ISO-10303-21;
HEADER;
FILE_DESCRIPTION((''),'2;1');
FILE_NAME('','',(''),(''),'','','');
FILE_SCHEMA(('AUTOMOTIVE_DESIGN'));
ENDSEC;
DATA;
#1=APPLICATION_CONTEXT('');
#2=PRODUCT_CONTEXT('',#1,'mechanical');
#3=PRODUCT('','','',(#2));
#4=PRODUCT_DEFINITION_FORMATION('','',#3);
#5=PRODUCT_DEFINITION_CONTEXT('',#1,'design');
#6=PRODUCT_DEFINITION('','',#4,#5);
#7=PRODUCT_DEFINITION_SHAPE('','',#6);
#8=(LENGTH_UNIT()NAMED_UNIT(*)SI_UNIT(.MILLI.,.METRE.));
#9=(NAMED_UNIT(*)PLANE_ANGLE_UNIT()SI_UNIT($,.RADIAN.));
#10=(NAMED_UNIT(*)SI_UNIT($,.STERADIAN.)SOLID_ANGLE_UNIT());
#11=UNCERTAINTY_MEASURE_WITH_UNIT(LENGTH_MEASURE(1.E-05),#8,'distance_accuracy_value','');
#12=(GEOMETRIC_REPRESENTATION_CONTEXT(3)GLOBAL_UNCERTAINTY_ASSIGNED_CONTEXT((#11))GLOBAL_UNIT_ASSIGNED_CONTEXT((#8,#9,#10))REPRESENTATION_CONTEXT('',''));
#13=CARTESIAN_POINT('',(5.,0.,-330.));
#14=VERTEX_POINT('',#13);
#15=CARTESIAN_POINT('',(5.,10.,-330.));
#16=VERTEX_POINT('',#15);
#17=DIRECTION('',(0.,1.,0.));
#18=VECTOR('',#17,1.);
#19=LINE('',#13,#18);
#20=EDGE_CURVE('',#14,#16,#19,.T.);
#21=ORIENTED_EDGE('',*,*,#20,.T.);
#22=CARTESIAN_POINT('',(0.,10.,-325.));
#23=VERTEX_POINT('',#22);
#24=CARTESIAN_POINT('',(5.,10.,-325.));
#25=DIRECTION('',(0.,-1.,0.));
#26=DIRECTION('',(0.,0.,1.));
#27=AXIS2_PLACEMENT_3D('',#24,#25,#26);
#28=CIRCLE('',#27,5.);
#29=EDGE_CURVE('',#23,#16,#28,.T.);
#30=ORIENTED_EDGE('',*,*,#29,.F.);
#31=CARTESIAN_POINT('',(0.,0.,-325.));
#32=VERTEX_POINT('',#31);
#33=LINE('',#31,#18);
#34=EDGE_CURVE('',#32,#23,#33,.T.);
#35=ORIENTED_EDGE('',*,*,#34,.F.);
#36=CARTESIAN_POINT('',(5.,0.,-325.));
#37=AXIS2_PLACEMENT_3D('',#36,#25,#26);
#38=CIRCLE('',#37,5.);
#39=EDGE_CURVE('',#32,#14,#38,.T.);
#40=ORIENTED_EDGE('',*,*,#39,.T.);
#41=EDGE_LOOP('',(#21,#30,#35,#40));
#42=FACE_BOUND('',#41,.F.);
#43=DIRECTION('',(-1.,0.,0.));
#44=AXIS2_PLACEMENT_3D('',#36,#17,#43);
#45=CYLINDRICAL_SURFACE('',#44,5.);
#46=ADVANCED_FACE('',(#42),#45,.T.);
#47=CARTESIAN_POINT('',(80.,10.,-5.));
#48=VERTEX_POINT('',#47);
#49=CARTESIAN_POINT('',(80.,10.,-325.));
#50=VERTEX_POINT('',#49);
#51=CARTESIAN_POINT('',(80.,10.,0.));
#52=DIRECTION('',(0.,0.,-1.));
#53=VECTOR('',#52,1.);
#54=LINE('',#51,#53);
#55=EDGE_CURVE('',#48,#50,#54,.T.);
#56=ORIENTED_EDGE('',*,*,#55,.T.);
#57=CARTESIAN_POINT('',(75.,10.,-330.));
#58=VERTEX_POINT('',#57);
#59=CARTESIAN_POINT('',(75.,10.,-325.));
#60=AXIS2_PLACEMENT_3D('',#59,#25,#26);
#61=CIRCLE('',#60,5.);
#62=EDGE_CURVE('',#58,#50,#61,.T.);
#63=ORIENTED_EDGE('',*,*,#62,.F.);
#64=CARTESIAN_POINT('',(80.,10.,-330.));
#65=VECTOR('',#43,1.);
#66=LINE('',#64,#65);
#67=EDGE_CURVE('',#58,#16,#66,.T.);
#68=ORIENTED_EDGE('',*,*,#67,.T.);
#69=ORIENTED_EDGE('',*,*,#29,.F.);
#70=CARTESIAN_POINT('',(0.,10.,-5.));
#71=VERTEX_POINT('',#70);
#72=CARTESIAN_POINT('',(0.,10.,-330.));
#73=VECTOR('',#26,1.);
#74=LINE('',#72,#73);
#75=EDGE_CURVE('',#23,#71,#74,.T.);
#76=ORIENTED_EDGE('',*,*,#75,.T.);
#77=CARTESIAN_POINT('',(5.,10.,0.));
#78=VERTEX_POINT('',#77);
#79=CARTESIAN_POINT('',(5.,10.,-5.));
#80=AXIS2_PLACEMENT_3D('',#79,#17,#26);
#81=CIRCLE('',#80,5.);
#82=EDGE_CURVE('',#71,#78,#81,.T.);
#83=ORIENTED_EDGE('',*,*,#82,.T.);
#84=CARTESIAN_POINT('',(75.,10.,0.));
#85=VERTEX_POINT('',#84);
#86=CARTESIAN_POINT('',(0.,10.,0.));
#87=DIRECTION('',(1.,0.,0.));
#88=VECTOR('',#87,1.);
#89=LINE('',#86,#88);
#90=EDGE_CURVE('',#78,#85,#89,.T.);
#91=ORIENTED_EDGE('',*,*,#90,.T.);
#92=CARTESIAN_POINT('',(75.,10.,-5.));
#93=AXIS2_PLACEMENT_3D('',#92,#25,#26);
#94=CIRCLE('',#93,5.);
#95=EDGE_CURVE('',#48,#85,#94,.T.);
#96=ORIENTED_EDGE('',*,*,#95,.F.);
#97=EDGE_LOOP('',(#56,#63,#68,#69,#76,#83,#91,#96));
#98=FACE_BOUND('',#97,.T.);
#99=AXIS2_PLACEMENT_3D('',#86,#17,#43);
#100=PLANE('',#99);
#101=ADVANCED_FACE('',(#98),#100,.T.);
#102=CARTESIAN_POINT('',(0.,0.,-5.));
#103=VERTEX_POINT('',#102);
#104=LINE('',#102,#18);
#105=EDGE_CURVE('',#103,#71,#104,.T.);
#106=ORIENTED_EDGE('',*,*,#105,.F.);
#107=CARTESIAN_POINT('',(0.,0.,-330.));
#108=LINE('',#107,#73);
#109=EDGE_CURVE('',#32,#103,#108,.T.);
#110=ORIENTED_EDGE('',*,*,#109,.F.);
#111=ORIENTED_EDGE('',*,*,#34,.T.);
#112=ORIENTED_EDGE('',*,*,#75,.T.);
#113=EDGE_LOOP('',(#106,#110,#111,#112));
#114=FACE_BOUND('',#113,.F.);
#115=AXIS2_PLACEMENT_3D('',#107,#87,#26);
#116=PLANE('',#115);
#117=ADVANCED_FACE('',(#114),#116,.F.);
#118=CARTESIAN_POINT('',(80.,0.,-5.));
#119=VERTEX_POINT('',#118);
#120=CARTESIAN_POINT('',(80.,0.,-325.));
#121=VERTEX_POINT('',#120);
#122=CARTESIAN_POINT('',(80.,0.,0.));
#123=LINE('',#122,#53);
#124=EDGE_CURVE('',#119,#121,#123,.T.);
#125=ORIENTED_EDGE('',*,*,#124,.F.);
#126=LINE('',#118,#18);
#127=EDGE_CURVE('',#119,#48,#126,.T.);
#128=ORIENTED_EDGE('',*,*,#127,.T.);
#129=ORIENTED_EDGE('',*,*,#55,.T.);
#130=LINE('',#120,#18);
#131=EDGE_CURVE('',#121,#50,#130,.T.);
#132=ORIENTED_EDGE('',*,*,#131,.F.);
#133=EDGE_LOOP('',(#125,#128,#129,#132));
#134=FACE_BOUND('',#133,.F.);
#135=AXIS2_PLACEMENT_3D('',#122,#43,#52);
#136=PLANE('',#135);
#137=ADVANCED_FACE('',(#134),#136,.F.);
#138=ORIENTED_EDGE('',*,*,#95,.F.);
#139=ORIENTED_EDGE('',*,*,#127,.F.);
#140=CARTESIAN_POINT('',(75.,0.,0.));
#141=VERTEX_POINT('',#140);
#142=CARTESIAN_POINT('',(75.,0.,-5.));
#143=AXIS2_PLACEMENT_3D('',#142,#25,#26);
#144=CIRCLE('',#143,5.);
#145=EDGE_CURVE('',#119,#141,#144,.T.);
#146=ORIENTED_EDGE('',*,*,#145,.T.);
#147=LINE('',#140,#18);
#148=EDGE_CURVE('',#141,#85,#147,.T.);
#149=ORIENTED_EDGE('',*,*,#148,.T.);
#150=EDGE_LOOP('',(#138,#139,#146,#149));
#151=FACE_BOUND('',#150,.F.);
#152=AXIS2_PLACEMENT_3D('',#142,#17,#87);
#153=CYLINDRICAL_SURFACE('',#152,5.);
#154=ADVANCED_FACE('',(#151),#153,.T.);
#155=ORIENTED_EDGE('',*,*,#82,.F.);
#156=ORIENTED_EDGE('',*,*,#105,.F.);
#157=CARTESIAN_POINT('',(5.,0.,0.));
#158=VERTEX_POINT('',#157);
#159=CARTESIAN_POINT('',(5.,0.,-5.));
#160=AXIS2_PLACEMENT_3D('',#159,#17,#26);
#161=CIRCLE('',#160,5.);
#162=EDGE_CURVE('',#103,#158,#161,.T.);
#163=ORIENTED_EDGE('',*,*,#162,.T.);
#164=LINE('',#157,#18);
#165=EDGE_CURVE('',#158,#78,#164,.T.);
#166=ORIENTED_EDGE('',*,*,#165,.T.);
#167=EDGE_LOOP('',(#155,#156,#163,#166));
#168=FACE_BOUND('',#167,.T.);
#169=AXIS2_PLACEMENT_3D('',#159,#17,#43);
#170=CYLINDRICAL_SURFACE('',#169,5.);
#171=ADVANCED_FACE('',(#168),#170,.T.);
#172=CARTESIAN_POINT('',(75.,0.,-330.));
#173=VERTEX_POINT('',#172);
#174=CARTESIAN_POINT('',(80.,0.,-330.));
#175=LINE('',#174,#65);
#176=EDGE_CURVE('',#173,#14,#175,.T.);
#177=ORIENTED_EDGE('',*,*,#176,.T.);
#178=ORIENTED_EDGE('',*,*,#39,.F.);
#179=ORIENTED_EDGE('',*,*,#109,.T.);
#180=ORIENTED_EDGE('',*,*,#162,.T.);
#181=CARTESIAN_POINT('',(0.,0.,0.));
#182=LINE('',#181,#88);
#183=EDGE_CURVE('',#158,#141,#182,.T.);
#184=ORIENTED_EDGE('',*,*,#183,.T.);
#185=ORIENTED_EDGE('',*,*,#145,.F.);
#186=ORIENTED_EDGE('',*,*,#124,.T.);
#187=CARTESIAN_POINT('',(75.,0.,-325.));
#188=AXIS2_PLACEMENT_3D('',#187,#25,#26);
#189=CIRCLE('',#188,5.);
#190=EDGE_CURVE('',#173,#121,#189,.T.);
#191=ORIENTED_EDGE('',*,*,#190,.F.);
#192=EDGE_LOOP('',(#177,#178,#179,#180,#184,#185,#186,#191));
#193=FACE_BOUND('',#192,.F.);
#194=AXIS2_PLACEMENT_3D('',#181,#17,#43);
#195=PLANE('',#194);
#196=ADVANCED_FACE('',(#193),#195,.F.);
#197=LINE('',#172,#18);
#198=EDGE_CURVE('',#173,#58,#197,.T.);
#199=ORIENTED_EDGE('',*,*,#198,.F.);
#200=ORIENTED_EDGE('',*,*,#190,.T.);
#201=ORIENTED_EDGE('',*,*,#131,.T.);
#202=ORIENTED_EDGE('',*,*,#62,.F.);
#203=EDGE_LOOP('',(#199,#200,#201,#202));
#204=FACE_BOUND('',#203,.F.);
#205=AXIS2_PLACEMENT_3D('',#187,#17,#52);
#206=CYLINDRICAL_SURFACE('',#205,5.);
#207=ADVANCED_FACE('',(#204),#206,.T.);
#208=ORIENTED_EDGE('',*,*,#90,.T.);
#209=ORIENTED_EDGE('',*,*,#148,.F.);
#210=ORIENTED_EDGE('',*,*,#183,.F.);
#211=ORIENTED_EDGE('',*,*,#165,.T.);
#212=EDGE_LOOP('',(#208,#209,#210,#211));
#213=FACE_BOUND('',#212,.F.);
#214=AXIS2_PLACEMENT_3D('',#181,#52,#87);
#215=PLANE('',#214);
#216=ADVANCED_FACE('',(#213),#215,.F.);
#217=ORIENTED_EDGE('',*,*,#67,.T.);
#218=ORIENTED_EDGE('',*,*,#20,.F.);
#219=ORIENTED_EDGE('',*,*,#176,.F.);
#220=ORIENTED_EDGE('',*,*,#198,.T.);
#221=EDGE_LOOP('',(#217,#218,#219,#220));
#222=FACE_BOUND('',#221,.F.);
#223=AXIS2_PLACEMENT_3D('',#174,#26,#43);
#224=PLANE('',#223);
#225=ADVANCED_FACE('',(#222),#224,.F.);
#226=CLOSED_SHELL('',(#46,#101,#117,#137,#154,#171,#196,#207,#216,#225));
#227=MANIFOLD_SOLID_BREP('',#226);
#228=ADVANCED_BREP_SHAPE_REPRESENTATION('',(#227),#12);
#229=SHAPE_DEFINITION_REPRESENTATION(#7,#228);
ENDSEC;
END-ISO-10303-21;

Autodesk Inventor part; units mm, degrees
ref_plane "YZ Plane" through (0, 0, 0) normal (1, 0, 0) x (0, 1, 0)
ref_plane "XZ Plane" through (0, 0, 0) normal (0, 1, 0) x (-1, 0, 0)
ref_plane "XY Plane" through (0, 0, 0) normal (0, 0, 1) x (1, 0, 0)
sketch "Sketch2" plane through (0, 0, 0) normal (0, 1, 0) x (-1, 0, 0)
  line L0 (0, 0) -> (-80, 0)
  line L1 (-80, 0) -> (-80, -330)
  line L2 (-80, -330) -> (0, -330)
  line L3 (0, -330) -> (0, 0)
  dimension "d5" = 80
  dimension "d6" = 330
extrude "Extrusion2" add sketch "Sketch2" along normal blind 10
fillet "Fillet2" radius 5 4 edges at (0, 5, 0) (80, 5, 0) (0, 5, -330) (80, 5, -330)
sketch "Sketch1" plane through (0, 0, 0) normal (0, 1, 0) x (-1, 0, 0)
  line L0 (0, 0) -> (-260, 0)
  line L1 (-260, 0) -> (-260, -70)
  line L2 (-260, -70) -> (0, -70)
  line L3 (0, -70) -> (0, 0)
  dimension "d0" = 260
  dimension "d1" = 70
properties part number "wood part 1"
